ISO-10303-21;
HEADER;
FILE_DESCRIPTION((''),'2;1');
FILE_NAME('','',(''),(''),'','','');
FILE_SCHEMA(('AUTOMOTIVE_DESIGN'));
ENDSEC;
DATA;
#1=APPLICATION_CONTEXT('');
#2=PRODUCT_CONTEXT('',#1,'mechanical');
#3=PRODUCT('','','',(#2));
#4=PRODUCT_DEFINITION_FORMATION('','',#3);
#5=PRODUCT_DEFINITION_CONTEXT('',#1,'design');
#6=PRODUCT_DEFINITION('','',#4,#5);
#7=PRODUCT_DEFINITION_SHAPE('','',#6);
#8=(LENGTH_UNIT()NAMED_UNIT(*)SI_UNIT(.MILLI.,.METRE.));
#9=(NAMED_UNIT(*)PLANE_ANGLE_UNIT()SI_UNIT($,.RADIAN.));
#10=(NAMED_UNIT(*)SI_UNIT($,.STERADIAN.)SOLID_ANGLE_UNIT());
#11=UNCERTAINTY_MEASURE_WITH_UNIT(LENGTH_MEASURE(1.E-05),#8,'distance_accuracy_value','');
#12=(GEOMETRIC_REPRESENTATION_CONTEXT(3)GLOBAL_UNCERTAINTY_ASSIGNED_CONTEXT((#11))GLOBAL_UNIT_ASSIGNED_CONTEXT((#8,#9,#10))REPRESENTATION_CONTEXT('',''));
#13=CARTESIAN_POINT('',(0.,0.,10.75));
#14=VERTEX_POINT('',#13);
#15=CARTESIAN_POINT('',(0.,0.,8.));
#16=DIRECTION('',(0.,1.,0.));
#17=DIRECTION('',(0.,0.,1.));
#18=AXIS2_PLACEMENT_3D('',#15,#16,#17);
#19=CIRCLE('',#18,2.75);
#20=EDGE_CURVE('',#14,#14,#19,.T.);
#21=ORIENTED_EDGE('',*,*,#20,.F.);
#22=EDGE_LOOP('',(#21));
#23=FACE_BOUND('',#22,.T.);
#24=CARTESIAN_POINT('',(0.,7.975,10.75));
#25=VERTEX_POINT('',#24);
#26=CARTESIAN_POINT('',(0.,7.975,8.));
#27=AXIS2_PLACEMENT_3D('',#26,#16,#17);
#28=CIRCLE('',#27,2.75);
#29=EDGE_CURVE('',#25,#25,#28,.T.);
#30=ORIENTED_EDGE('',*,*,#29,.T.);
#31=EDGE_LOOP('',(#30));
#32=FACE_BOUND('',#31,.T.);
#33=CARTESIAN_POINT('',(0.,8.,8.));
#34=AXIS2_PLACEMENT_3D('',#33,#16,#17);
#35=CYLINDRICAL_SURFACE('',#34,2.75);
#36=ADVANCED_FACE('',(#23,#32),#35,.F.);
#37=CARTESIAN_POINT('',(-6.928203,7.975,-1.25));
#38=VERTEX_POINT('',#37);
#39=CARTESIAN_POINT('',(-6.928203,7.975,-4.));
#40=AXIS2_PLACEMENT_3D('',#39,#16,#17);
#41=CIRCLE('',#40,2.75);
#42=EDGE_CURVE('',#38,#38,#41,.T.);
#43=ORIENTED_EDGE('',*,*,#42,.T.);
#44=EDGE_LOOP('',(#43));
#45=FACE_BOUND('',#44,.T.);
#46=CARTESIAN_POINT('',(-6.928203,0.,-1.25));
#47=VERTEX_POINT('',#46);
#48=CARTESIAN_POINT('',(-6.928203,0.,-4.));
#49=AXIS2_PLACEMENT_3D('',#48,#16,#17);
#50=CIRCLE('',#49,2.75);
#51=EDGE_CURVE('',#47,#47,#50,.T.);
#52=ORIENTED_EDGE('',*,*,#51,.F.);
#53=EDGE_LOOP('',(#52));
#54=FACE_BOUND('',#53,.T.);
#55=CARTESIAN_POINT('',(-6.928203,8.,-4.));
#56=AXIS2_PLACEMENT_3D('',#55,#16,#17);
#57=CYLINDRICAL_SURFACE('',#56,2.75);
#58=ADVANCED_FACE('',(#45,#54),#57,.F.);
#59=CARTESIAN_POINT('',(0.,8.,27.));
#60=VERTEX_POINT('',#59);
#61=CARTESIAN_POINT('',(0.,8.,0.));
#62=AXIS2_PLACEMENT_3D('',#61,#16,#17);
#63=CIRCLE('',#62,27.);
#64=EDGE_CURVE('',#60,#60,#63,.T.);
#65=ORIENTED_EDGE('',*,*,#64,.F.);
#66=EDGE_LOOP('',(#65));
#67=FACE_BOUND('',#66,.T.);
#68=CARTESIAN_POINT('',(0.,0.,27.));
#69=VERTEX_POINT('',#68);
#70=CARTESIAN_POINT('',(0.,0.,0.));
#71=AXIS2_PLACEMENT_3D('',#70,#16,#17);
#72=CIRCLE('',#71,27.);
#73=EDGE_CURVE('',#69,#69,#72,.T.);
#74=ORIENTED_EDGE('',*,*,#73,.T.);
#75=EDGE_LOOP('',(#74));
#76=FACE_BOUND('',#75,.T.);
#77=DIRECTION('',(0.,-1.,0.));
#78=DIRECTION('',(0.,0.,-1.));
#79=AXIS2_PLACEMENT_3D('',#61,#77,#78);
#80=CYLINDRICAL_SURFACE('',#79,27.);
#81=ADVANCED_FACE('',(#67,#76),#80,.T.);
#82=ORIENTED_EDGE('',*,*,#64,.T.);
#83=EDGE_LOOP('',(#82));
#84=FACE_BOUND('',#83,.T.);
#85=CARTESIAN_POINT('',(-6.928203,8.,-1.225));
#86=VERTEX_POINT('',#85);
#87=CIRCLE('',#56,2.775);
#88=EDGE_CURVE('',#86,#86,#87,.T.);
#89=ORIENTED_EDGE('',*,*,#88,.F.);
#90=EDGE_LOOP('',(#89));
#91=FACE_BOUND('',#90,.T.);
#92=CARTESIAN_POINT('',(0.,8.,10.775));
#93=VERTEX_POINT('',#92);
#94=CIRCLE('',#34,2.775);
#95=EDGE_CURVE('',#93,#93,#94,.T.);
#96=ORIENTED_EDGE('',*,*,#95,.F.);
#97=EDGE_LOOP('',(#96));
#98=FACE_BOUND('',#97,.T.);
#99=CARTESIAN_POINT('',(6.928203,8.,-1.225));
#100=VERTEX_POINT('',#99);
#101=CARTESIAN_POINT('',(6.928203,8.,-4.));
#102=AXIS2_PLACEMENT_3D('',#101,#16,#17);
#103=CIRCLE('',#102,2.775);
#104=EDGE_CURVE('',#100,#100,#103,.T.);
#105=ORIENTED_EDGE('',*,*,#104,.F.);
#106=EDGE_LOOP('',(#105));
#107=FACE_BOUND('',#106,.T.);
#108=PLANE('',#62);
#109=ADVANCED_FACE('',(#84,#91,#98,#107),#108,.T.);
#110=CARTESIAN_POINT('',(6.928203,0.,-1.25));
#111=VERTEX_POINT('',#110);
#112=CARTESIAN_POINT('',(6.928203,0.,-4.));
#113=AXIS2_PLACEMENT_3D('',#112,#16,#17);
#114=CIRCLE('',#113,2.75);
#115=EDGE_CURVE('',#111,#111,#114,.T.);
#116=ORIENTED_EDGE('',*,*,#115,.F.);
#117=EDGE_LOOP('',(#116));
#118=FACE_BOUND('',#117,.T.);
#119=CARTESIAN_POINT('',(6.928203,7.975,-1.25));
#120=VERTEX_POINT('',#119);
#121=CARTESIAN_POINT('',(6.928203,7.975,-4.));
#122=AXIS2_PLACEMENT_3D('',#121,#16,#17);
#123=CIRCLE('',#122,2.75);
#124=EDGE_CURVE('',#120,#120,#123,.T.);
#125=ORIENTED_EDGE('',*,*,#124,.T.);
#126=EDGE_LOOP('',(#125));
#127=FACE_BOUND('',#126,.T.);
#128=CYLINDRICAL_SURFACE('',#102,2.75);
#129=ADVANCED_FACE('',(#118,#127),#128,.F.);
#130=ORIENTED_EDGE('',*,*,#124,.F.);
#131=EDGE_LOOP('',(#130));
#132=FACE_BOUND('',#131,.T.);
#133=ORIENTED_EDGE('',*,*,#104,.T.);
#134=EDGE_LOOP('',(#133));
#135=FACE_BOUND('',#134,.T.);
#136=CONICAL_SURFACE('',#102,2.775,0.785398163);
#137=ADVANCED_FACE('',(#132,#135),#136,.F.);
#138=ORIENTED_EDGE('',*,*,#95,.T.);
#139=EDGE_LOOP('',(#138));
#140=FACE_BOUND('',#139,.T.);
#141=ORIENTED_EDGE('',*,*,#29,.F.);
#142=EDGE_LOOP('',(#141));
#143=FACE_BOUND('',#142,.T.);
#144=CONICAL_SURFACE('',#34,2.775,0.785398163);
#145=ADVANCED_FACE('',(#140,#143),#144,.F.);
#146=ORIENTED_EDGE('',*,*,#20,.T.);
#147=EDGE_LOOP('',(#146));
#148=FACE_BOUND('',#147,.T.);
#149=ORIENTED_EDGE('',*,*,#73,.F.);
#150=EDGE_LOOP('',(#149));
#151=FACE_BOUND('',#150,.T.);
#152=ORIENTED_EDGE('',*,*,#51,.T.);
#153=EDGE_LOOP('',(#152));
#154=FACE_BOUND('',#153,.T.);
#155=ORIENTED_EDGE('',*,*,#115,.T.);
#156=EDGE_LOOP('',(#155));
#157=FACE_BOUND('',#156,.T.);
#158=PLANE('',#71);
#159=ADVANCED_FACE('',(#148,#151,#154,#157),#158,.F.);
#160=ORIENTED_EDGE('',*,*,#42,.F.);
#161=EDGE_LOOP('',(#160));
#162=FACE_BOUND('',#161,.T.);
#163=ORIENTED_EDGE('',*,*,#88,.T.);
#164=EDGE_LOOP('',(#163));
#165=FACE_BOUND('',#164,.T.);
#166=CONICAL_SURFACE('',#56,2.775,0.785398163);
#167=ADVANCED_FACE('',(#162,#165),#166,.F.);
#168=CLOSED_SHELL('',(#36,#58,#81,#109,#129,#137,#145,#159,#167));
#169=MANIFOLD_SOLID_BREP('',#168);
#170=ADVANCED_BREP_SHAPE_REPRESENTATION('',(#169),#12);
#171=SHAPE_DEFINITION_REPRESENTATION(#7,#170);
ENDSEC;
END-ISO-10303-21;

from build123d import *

# Parameters (mm, degrees)
SKETCH1_R                      = 27
BOSS_EXTRUDE1_DEPTH            = 8
M5_CLEARANCE_HOLE1_D           = 5.5
M5_CLEARANCE_HOLE1_CSINK_D     = 5.55
M5_CLEARANCE_HOLE1_CSINK_ANGLE = 90


with BuildPart() as part:
    # Sketch1 → Boss-Extrude1 (new body)
    with BuildSketch(Plane(origin=(0, 0, 0), x_dir=(1, 0, 0), z_dir=(0, 1, 0))):
        with Locations(Location((0, 0, 0), (0, 0, 270))):
            Circle(SKETCH1_R)
    extrude(amount=BOSS_EXTRUDE1_DEPTH)

    # M5 Clearance Hole1 (through all)
    with Locations(Plane(origin=(0, 8, 0), x_dir=(1, 0, 0), z_dir=(0, 1, 0))):
        with Locations((-6.92820323, 4), (6.92820323, 4), (0, -8)):
            CounterSinkHole(M5_CLEARANCE_HOLE1_D / 2, M5_CLEARANCE_HOLE1_CSINK_D / 2, counter_sink_angle=M5_CLEARANCE_HOLE1_CSINK_ANGLE)


solid = part.part
